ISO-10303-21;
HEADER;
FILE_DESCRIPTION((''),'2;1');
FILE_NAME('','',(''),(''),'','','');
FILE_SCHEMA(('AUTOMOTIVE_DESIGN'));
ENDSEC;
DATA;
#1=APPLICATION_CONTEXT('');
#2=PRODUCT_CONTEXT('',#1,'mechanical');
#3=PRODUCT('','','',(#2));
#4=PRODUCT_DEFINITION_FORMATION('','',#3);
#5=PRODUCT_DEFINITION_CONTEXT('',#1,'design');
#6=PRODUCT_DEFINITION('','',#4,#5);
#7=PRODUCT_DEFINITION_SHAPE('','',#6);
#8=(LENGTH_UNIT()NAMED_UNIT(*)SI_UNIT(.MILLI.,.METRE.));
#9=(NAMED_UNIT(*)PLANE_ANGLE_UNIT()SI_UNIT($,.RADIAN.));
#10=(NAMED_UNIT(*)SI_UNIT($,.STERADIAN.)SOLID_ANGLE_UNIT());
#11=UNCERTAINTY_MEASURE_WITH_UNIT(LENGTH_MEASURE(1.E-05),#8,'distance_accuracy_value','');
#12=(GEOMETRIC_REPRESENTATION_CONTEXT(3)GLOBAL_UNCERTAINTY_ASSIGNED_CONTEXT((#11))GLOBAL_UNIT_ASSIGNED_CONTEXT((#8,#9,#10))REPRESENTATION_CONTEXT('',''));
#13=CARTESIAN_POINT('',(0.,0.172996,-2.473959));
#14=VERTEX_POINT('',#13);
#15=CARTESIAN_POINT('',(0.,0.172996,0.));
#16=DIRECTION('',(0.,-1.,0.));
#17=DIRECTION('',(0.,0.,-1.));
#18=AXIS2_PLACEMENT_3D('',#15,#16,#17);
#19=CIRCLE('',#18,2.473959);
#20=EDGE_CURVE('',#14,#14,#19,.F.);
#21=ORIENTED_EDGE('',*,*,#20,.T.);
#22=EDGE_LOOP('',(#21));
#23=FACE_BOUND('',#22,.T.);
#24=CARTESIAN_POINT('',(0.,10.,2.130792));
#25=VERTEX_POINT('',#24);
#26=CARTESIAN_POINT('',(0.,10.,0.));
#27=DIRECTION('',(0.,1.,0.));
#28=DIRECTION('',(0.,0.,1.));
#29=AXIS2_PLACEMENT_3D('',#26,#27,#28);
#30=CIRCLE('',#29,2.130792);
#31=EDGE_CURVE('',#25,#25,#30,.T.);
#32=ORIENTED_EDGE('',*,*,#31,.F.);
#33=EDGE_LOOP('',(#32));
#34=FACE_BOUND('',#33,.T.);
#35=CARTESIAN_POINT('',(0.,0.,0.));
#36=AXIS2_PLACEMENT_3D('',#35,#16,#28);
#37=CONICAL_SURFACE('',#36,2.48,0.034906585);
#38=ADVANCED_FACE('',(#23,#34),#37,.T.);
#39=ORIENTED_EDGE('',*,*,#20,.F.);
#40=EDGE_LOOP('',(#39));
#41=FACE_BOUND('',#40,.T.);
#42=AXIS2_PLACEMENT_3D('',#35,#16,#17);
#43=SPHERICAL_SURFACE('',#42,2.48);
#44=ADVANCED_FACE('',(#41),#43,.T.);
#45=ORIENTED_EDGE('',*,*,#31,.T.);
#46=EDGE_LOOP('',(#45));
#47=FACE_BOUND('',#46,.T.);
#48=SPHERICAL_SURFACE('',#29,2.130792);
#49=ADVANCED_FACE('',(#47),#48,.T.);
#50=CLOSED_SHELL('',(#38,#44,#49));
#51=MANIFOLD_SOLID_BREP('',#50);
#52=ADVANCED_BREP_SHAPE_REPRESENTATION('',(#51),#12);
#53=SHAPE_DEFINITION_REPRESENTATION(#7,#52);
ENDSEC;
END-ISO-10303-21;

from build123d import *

# Parameters (mm, degrees)
SKETCH2_R           = 2.48
BOSS_EXTRUDE1_DEPTH = 10
BOSS_EXTRUDE1_TAPER = 2


with BuildPart() as part:
    # Sketch1 → Revolve1 (revolve)
    with BuildSketch(Plane(origin=(0, 0, 0), x_dir=(1, 0, 0), z_dir=(0, 1, 0))):
        with BuildLine():
            Line((0, 2.48), (0, -2.48))
            ThreePointArc((0, -2.48), (2.48, 0), (0, 2.48))
        make_face()
    revolve(axis=Axis((0, 0, -2.48), (0, 0, 1)))

    # Sketch2 → Boss-Extrude1 (add)
    with BuildSketch(Plane(origin=(0, 0, 0), x_dir=(1, 0, 0), z_dir=(0, 1, 0))):
        Circle(SKETCH2_R)
    extrude(amount=BOSS_EXTRUDE1_DEPTH, taper=BOSS_EXTRUDE1_TAPER)

    # Sketch3 → Revolve2 (revolve)
    with BuildSketch(Plane(origin=(0, 10, 0), x_dir=(1, 0, 0), z_dir=(0, 1, 0))):
        with BuildLine():
            Line((0, 2.130792305), (0, -2.130792305))
            ThreePointArc((0, -2.130792305), (2.130792305, 0), (0, 2.130792305))
        make_face()
    revolve(axis=Axis((0, 10, -2.130792305), (0, 0, 1)))


solid = part.part
